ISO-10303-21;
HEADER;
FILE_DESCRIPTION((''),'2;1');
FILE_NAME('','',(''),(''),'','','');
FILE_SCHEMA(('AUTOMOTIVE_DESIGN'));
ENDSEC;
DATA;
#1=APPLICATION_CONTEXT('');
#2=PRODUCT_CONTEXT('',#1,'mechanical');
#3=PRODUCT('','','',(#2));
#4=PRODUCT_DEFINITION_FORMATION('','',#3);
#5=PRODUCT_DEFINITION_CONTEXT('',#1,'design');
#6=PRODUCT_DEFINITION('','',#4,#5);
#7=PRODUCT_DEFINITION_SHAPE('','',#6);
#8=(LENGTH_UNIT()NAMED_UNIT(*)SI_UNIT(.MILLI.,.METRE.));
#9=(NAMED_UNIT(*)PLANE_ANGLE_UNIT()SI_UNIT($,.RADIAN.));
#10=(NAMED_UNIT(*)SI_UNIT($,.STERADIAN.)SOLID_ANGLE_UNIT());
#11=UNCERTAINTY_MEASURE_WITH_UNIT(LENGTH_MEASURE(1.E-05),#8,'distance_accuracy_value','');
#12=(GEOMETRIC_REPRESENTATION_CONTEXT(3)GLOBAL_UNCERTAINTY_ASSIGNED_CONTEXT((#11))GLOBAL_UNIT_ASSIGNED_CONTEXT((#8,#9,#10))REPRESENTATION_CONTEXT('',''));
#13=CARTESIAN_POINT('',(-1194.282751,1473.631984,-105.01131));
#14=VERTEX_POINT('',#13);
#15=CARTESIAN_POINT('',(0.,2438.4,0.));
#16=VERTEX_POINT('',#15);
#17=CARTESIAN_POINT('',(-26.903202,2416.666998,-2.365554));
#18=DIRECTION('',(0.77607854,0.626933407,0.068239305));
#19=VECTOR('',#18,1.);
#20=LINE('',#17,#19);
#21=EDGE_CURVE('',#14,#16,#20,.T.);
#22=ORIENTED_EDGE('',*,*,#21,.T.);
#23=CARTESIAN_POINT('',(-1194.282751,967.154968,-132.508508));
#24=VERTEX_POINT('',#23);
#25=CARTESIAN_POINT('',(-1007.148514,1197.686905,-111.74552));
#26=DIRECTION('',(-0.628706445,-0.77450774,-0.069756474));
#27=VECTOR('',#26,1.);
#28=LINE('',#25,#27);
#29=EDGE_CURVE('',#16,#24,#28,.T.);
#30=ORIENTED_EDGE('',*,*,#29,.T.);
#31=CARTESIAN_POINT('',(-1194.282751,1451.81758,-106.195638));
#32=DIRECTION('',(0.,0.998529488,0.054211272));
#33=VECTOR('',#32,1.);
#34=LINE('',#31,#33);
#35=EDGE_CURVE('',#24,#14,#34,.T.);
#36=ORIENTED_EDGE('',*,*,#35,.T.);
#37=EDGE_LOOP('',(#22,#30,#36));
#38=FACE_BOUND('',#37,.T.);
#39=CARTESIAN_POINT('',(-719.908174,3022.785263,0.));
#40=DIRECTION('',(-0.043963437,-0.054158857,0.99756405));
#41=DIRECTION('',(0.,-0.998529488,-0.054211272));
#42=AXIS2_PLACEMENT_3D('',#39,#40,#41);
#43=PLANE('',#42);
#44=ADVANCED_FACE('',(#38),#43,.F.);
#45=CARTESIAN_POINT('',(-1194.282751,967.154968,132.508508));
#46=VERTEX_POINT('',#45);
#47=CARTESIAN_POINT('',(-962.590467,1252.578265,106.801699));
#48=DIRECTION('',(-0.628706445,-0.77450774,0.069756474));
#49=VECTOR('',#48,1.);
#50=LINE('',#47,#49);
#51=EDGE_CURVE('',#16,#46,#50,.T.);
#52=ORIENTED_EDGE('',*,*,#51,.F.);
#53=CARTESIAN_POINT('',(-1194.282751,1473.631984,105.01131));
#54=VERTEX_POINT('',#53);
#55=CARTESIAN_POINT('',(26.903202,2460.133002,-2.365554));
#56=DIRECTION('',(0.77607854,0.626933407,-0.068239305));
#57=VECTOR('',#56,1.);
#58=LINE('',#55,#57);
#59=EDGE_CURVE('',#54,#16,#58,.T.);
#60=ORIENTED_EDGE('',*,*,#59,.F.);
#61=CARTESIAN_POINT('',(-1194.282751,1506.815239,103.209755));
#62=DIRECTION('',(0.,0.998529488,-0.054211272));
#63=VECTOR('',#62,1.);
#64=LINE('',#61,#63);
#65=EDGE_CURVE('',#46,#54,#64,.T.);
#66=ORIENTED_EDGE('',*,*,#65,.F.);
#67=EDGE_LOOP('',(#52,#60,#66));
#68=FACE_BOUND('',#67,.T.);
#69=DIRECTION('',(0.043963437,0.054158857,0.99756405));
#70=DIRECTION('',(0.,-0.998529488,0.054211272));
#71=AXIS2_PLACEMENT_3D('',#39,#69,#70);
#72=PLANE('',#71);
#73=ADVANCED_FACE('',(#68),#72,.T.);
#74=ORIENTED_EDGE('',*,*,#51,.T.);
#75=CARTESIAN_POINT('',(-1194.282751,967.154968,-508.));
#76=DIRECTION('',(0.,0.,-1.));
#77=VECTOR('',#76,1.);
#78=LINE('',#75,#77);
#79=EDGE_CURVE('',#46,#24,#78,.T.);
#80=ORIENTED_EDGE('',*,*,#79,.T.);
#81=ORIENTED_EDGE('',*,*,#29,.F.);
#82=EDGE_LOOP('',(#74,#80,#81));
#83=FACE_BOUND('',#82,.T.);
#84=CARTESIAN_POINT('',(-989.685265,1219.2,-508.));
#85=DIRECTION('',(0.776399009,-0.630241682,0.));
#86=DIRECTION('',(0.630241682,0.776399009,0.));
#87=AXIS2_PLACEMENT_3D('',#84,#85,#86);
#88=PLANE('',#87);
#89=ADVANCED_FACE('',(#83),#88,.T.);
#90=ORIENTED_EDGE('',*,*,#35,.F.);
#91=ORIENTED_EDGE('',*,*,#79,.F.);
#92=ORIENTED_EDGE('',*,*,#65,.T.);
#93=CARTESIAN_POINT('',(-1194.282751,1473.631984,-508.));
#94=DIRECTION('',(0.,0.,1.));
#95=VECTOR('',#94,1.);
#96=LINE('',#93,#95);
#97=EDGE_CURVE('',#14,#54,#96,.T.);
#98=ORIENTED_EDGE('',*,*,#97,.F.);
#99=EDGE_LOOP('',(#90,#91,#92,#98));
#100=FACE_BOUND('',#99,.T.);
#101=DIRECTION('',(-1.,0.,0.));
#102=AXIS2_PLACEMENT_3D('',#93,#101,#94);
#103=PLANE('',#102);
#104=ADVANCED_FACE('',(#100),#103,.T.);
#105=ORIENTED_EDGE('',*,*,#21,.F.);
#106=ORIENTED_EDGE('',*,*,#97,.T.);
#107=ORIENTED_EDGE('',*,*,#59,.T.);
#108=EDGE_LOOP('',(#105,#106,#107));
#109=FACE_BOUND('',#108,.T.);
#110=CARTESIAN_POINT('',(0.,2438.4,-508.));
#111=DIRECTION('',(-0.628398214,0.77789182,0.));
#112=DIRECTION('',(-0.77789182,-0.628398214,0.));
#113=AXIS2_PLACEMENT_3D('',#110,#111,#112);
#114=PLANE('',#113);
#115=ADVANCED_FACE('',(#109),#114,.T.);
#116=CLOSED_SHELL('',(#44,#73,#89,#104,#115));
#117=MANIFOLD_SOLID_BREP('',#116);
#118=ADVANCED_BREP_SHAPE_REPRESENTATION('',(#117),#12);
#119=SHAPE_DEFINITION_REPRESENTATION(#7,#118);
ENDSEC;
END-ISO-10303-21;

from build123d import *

# Parameters (mm, degrees)
BOSS_EXTRUDE1_DEPTH      = 508
BOSS_EXTRUDE1_DEPTH_BACK = 508
CUT_EXTRUDE2_DEPTH       = 1961.143295518
CUT_EXTRUDE2_DEPTH_BACK  = 1961.143295518
CUT_EXTRUDE7_DEPTH       = 2719.400028326
CUT_EXTRUDE7_DEPTH_BACK  = 2719.400028326


with BuildPart() as part:
    # Sketch1 → Boss-Extrude1 (new, two sides: drawn at the far end of the back side and taken through both)
    with BuildSketch(Plane(origin=(0, 0, 0), x_dir=(0, 1, 0), z_dir=(0, 0, 1)).offset(-BOSS_EXTRUDE1_DEPTH_BACK)):
        Polygon((0, 0), (1219.2, 989.685264987), (2438.4, 0), (1473.631984251, 1194.282750762), (964.768015749, 1194.282750762), align=None)
    extrude(amount=BOSS_EXTRUDE1_DEPTH + BOSS_EXTRUDE1_DEPTH_BACK)

    # Sketch2 → Cut-Extrude2 (cut, two sides: drawn at the far end of the back side and taken through both)
    with BuildSketch(Plane(origin=(-1193.155493259, 968.543643797, 0), x_dir=(0.6302416824749717, 0.7763990093187376, 0), z_dir=(0.7763990093187376, -0.6302416824749717, 0)).offset(-CUT_EXTRUDE2_DEPTH_BACK)):
        Polygon((1893.171344323, -508), (1893.171344323, 0), (-138.828655677, -142.091281869), (-138.828655677, -508), align=None)
        Polygon((-138.828655677, 142.091281869), (1893.171344323, 0), (1893.171344323, 508), (-138.828655677, 508), align=None)
    extrude(amount=CUT_EXTRUDE2_DEPTH + CUT_EXTRUDE2_DEPTH_BACK, mode=Mode.SUBTRACT)

    # Sketch5 → Cut-Extrude7 (cut, two sides: drawn at the far end of the back side and taken through both)
    with BuildSketch(Plane(origin=(0, 0, 0), x_dir=(0, 1, 0), z_dir=(0, 0, 1)).offset(-CUT_EXTRUDE7_DEPTH_BACK)):
        Polygon((2438.4, 0), (965.713353388, 1195.452980721), (0, 0), align=None)
    extrude(amount=CUT_EXTRUDE7_DEPTH + CUT_EXTRUDE7_DEPTH_BACK, mode=Mode.SUBTRACT)


solid = part.part
